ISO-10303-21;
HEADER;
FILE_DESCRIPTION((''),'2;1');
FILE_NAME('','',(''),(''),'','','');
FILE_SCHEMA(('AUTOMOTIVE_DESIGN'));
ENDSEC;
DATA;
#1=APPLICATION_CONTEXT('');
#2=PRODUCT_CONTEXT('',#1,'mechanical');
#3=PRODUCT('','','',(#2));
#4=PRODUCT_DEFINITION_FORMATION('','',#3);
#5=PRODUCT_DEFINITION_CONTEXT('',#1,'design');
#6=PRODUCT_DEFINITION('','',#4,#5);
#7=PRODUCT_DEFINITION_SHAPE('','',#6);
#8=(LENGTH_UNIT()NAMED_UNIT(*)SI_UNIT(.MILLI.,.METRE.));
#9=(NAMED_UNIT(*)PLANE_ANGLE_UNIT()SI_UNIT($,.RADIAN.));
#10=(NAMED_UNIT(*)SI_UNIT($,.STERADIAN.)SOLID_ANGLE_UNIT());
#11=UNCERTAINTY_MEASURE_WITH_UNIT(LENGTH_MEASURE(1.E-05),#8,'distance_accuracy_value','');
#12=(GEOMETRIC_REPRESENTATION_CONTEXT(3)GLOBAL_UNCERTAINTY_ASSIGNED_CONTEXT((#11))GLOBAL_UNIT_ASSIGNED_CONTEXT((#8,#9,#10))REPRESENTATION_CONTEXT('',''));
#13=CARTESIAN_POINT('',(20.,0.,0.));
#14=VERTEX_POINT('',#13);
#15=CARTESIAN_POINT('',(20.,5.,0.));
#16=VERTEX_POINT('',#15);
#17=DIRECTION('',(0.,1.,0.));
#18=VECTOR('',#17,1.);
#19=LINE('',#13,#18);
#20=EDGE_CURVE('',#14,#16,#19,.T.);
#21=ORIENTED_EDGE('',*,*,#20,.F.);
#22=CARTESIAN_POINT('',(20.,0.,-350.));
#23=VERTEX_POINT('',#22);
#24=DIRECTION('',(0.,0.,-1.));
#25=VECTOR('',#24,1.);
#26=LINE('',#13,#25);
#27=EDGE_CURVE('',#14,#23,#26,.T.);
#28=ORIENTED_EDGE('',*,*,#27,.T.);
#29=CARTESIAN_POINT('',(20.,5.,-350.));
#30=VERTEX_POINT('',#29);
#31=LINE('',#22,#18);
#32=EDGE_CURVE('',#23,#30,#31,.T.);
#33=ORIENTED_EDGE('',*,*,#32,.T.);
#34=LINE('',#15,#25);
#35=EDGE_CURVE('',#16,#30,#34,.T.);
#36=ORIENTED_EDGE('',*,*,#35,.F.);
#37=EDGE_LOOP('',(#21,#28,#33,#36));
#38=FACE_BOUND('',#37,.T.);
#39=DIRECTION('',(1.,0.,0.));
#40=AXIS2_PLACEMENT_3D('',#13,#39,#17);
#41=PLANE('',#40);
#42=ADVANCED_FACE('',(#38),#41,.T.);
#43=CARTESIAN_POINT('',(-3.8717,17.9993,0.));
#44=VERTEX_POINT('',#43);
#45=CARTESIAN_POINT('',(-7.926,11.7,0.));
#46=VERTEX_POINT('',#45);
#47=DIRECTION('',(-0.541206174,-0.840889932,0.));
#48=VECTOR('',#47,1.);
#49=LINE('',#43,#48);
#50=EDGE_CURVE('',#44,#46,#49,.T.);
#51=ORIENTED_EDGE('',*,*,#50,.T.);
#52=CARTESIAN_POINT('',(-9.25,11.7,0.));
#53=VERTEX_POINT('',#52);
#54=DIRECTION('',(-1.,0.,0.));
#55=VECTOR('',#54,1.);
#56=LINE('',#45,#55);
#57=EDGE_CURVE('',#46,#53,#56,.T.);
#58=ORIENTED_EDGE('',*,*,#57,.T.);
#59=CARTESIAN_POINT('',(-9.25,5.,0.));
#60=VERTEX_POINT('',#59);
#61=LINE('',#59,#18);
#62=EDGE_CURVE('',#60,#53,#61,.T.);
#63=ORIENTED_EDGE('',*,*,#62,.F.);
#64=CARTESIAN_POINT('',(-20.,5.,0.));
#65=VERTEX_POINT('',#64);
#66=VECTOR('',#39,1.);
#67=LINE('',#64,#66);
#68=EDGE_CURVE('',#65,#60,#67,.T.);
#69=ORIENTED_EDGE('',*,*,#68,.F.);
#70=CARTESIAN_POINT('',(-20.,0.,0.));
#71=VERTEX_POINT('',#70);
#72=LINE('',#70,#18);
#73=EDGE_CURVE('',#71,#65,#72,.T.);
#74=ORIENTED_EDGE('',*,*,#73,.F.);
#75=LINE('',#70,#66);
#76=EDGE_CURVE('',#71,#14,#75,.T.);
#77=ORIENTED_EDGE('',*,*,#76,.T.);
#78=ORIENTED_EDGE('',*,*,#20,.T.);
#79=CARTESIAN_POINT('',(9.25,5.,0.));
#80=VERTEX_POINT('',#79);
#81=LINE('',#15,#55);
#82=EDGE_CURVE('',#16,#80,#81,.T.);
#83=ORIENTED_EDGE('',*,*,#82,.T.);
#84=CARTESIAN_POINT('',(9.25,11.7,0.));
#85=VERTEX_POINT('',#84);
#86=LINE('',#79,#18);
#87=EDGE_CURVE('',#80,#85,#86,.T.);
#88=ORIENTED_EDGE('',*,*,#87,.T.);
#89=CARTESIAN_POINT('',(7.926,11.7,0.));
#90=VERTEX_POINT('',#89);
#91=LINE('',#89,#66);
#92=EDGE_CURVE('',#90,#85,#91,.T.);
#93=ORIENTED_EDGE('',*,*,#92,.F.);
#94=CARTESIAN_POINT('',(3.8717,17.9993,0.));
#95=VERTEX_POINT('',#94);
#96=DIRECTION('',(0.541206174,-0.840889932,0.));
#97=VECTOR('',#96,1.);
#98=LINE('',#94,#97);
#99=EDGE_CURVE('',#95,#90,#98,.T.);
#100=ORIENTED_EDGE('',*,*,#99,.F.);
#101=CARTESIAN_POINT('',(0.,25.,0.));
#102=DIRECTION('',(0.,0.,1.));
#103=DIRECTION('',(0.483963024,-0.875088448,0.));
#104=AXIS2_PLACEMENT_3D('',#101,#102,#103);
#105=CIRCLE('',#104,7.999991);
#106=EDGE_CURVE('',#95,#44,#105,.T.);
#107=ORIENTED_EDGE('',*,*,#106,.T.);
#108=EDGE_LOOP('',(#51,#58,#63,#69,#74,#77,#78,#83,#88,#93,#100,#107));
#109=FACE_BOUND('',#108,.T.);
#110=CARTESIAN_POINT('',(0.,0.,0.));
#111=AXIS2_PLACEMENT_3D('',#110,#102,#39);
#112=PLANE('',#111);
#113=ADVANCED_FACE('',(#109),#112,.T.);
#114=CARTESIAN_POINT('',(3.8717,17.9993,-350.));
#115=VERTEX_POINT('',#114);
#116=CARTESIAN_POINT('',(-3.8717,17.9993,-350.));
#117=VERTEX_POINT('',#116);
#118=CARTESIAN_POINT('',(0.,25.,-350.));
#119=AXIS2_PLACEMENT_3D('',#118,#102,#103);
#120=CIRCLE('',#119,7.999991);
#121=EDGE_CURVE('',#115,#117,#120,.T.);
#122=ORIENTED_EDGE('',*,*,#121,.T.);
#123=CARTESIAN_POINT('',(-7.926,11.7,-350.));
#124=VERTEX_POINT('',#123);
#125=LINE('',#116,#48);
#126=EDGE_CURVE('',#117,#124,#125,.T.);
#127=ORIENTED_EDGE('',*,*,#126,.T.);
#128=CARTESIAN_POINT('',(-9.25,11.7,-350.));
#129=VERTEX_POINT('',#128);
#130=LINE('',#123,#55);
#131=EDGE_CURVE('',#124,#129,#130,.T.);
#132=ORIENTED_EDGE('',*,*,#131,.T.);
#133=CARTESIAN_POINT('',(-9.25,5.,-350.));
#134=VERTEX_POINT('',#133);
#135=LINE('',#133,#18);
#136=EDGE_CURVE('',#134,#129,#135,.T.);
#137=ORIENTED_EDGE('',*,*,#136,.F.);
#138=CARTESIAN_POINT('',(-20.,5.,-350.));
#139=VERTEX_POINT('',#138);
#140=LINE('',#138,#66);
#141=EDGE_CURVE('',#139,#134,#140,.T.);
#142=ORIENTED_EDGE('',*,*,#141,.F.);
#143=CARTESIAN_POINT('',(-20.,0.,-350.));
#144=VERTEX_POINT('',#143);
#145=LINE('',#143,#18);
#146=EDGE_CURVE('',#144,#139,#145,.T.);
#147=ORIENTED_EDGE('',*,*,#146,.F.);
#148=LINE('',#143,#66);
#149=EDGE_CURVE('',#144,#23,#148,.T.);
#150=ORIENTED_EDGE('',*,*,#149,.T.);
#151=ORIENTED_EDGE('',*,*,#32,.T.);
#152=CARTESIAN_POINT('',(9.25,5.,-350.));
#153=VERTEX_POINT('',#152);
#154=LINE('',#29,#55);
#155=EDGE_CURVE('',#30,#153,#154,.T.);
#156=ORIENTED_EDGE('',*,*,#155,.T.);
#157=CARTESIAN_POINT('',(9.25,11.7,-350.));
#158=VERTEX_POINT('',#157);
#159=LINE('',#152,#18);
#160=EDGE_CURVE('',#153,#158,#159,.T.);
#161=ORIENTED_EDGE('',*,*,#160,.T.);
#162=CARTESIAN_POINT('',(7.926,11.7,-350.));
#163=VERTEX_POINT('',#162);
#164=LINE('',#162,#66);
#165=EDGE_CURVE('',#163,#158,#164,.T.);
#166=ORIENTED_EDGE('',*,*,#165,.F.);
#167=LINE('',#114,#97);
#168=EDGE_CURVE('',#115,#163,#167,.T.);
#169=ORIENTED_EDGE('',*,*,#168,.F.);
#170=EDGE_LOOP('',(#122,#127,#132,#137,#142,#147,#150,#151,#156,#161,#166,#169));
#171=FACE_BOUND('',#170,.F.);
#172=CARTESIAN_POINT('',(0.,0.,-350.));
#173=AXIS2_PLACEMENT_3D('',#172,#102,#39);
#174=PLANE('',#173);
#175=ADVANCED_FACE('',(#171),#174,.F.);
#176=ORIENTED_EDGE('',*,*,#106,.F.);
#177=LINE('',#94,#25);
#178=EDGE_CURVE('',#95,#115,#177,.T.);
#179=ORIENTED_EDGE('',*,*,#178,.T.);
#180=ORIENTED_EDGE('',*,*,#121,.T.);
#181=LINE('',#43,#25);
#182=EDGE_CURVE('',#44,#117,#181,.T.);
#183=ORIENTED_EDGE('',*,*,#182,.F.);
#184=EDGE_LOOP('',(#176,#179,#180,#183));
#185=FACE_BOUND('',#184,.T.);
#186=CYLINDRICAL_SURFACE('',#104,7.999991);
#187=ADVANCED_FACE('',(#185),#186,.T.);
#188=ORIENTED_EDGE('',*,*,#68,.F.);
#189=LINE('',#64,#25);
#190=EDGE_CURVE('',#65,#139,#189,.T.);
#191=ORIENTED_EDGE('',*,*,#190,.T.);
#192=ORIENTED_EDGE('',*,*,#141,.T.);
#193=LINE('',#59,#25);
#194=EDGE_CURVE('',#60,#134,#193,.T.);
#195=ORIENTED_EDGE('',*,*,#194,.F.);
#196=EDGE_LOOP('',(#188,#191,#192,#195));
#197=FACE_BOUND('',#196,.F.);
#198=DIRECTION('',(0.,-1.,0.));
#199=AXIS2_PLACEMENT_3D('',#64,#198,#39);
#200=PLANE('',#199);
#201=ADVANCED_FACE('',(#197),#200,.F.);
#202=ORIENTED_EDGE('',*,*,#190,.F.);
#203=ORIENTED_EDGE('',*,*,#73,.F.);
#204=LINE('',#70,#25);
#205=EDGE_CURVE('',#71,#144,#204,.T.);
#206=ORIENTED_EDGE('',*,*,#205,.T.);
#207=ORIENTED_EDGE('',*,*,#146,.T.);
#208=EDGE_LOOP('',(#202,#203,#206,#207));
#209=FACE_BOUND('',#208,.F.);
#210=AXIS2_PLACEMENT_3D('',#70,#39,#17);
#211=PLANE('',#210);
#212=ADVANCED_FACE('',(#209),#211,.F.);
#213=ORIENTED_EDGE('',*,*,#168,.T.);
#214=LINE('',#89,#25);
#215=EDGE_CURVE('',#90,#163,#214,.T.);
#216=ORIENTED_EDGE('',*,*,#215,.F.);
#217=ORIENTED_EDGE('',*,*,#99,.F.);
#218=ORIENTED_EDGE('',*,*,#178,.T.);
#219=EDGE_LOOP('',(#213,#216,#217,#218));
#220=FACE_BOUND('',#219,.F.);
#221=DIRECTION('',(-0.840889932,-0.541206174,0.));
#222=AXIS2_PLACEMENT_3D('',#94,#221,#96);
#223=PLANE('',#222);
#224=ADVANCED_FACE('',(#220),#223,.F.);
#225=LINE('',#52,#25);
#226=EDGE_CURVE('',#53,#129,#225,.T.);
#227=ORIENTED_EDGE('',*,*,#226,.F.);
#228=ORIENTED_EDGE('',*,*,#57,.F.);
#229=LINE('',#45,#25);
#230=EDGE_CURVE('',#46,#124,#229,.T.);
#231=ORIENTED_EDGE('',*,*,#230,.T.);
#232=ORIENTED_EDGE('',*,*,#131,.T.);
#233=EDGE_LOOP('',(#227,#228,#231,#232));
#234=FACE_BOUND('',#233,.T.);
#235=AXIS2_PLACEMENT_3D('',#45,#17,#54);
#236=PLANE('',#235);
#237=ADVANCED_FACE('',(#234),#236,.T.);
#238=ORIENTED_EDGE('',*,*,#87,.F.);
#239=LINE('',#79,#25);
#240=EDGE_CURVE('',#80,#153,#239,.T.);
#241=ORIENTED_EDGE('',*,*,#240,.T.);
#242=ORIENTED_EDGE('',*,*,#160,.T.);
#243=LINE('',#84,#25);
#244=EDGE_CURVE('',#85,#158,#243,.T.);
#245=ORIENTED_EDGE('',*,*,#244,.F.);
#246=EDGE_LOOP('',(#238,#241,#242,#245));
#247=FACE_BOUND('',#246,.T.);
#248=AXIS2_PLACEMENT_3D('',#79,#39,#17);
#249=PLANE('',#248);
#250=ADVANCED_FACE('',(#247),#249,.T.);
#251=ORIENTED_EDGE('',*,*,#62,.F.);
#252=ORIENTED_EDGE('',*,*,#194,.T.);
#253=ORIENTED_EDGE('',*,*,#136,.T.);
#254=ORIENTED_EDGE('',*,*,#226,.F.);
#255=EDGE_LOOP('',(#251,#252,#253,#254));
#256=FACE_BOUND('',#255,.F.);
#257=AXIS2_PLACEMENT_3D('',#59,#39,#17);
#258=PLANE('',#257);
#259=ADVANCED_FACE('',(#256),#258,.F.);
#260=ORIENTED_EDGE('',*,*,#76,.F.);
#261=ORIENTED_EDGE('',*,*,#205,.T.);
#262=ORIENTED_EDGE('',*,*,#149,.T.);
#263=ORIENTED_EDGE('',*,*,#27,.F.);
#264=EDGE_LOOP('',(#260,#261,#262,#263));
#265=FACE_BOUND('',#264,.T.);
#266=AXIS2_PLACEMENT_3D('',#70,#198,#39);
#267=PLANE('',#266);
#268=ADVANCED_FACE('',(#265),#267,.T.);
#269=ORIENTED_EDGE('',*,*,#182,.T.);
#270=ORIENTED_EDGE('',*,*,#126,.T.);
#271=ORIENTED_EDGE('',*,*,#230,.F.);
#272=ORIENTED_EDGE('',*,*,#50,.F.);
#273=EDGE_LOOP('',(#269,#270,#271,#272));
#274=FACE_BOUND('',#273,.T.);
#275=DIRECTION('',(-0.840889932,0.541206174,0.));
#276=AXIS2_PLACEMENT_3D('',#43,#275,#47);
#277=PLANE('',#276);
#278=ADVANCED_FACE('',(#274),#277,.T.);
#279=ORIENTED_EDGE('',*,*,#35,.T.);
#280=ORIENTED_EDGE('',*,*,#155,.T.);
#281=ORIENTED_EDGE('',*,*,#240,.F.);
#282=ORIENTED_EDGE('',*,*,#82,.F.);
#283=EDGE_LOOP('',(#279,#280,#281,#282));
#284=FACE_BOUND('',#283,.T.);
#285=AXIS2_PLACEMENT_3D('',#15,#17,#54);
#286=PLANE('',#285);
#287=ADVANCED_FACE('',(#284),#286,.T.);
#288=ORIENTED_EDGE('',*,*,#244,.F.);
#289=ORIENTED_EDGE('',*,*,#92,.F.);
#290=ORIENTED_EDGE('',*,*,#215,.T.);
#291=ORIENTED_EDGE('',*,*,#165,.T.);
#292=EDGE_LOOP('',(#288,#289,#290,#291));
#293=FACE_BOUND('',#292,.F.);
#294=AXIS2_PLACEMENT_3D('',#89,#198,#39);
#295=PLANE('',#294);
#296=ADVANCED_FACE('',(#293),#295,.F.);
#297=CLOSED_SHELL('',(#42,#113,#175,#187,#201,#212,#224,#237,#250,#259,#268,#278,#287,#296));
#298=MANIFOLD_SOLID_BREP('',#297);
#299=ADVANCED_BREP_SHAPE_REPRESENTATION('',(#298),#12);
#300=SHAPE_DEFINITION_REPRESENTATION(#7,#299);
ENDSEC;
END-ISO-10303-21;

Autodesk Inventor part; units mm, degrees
ref_plane "YZ Plane" through (0, 0, 0) normal (1, 0, 0) x (0, 1, 0)
ref_plane "XZ Plane" through (0, 0, 0) normal (0, 1, 0) x (-1, 0, 0)
ref_plane "XY Plane" through (0, 0, 0) normal (0, 0, 1) x (1, 0, 0)
sketch "Sketch1" plane through (0, 0, 0) normal (0, 0, 1) x (1, 0, 0)
  line L0 (-20, 0) -> (20, 0)
  line L1 (-20, 0) -> (-20, 5)
  line L2 (20, 0) -> (20, 5)
  line L3 (-20, 5) -> (-9.25, 5)
  line L4 (20, 5) -> (9.25, 5)
  line L5 (-9.25, 5) -> (-9.25, 11.7)
  line L6 (9.25, 5) -> (9.25, 11.7)
  line L7 (-9.25, 5) -> (9.25, 5) construction
  line L8 (-9.25, 5) -> (-4.2961, 5) construction
  line L9 (9.25, 5) -> (3.3755, 5) construction
  arc A0 (4.1601, 14.485) -> (5.7961, 15.0092) centre (4, 17.8) ccw construction
  line L10 (7.926, 11.7) -> (9.25, 11.7)
  line L11 (-7.926, 11.7) -> (-9.25, 11.7)
  arc A1 (3.8717, 17.9993) -> (-3.8717, 17.9993) centre (0, 25) ccw
  line L12 (-3.8717, 17.9993) -> (-7.926, 11.7)
  line L13 (3.8717, 17.9993) -> (7.926, 11.7)
  point P0 (0, 0)
  point P1 (0, 0)
  point P2 (0, 17.8)
  point P3 (0, 5)
  point P4 (-4, 17.8)
  dimension "d0" = 40
  dimension "d1" = 5
  dimension "d2" = 5
  dimension "d3" = 10.75
  dimension "d4" = 10.75
  dimension "d5" = 6.7
  dimension "d6" = 6.7
  dimension "d15" = 25
  dimension "d16" = 18.5
  dimension "d18" = 8
extrude "Extrusion1" add sketch "Sketch1" against normal blind 350
equation "\"d1\" = d2"
equation "\"d3\" = d4"
equation "\"d5\" = d6"
properties part number "sbr16"
